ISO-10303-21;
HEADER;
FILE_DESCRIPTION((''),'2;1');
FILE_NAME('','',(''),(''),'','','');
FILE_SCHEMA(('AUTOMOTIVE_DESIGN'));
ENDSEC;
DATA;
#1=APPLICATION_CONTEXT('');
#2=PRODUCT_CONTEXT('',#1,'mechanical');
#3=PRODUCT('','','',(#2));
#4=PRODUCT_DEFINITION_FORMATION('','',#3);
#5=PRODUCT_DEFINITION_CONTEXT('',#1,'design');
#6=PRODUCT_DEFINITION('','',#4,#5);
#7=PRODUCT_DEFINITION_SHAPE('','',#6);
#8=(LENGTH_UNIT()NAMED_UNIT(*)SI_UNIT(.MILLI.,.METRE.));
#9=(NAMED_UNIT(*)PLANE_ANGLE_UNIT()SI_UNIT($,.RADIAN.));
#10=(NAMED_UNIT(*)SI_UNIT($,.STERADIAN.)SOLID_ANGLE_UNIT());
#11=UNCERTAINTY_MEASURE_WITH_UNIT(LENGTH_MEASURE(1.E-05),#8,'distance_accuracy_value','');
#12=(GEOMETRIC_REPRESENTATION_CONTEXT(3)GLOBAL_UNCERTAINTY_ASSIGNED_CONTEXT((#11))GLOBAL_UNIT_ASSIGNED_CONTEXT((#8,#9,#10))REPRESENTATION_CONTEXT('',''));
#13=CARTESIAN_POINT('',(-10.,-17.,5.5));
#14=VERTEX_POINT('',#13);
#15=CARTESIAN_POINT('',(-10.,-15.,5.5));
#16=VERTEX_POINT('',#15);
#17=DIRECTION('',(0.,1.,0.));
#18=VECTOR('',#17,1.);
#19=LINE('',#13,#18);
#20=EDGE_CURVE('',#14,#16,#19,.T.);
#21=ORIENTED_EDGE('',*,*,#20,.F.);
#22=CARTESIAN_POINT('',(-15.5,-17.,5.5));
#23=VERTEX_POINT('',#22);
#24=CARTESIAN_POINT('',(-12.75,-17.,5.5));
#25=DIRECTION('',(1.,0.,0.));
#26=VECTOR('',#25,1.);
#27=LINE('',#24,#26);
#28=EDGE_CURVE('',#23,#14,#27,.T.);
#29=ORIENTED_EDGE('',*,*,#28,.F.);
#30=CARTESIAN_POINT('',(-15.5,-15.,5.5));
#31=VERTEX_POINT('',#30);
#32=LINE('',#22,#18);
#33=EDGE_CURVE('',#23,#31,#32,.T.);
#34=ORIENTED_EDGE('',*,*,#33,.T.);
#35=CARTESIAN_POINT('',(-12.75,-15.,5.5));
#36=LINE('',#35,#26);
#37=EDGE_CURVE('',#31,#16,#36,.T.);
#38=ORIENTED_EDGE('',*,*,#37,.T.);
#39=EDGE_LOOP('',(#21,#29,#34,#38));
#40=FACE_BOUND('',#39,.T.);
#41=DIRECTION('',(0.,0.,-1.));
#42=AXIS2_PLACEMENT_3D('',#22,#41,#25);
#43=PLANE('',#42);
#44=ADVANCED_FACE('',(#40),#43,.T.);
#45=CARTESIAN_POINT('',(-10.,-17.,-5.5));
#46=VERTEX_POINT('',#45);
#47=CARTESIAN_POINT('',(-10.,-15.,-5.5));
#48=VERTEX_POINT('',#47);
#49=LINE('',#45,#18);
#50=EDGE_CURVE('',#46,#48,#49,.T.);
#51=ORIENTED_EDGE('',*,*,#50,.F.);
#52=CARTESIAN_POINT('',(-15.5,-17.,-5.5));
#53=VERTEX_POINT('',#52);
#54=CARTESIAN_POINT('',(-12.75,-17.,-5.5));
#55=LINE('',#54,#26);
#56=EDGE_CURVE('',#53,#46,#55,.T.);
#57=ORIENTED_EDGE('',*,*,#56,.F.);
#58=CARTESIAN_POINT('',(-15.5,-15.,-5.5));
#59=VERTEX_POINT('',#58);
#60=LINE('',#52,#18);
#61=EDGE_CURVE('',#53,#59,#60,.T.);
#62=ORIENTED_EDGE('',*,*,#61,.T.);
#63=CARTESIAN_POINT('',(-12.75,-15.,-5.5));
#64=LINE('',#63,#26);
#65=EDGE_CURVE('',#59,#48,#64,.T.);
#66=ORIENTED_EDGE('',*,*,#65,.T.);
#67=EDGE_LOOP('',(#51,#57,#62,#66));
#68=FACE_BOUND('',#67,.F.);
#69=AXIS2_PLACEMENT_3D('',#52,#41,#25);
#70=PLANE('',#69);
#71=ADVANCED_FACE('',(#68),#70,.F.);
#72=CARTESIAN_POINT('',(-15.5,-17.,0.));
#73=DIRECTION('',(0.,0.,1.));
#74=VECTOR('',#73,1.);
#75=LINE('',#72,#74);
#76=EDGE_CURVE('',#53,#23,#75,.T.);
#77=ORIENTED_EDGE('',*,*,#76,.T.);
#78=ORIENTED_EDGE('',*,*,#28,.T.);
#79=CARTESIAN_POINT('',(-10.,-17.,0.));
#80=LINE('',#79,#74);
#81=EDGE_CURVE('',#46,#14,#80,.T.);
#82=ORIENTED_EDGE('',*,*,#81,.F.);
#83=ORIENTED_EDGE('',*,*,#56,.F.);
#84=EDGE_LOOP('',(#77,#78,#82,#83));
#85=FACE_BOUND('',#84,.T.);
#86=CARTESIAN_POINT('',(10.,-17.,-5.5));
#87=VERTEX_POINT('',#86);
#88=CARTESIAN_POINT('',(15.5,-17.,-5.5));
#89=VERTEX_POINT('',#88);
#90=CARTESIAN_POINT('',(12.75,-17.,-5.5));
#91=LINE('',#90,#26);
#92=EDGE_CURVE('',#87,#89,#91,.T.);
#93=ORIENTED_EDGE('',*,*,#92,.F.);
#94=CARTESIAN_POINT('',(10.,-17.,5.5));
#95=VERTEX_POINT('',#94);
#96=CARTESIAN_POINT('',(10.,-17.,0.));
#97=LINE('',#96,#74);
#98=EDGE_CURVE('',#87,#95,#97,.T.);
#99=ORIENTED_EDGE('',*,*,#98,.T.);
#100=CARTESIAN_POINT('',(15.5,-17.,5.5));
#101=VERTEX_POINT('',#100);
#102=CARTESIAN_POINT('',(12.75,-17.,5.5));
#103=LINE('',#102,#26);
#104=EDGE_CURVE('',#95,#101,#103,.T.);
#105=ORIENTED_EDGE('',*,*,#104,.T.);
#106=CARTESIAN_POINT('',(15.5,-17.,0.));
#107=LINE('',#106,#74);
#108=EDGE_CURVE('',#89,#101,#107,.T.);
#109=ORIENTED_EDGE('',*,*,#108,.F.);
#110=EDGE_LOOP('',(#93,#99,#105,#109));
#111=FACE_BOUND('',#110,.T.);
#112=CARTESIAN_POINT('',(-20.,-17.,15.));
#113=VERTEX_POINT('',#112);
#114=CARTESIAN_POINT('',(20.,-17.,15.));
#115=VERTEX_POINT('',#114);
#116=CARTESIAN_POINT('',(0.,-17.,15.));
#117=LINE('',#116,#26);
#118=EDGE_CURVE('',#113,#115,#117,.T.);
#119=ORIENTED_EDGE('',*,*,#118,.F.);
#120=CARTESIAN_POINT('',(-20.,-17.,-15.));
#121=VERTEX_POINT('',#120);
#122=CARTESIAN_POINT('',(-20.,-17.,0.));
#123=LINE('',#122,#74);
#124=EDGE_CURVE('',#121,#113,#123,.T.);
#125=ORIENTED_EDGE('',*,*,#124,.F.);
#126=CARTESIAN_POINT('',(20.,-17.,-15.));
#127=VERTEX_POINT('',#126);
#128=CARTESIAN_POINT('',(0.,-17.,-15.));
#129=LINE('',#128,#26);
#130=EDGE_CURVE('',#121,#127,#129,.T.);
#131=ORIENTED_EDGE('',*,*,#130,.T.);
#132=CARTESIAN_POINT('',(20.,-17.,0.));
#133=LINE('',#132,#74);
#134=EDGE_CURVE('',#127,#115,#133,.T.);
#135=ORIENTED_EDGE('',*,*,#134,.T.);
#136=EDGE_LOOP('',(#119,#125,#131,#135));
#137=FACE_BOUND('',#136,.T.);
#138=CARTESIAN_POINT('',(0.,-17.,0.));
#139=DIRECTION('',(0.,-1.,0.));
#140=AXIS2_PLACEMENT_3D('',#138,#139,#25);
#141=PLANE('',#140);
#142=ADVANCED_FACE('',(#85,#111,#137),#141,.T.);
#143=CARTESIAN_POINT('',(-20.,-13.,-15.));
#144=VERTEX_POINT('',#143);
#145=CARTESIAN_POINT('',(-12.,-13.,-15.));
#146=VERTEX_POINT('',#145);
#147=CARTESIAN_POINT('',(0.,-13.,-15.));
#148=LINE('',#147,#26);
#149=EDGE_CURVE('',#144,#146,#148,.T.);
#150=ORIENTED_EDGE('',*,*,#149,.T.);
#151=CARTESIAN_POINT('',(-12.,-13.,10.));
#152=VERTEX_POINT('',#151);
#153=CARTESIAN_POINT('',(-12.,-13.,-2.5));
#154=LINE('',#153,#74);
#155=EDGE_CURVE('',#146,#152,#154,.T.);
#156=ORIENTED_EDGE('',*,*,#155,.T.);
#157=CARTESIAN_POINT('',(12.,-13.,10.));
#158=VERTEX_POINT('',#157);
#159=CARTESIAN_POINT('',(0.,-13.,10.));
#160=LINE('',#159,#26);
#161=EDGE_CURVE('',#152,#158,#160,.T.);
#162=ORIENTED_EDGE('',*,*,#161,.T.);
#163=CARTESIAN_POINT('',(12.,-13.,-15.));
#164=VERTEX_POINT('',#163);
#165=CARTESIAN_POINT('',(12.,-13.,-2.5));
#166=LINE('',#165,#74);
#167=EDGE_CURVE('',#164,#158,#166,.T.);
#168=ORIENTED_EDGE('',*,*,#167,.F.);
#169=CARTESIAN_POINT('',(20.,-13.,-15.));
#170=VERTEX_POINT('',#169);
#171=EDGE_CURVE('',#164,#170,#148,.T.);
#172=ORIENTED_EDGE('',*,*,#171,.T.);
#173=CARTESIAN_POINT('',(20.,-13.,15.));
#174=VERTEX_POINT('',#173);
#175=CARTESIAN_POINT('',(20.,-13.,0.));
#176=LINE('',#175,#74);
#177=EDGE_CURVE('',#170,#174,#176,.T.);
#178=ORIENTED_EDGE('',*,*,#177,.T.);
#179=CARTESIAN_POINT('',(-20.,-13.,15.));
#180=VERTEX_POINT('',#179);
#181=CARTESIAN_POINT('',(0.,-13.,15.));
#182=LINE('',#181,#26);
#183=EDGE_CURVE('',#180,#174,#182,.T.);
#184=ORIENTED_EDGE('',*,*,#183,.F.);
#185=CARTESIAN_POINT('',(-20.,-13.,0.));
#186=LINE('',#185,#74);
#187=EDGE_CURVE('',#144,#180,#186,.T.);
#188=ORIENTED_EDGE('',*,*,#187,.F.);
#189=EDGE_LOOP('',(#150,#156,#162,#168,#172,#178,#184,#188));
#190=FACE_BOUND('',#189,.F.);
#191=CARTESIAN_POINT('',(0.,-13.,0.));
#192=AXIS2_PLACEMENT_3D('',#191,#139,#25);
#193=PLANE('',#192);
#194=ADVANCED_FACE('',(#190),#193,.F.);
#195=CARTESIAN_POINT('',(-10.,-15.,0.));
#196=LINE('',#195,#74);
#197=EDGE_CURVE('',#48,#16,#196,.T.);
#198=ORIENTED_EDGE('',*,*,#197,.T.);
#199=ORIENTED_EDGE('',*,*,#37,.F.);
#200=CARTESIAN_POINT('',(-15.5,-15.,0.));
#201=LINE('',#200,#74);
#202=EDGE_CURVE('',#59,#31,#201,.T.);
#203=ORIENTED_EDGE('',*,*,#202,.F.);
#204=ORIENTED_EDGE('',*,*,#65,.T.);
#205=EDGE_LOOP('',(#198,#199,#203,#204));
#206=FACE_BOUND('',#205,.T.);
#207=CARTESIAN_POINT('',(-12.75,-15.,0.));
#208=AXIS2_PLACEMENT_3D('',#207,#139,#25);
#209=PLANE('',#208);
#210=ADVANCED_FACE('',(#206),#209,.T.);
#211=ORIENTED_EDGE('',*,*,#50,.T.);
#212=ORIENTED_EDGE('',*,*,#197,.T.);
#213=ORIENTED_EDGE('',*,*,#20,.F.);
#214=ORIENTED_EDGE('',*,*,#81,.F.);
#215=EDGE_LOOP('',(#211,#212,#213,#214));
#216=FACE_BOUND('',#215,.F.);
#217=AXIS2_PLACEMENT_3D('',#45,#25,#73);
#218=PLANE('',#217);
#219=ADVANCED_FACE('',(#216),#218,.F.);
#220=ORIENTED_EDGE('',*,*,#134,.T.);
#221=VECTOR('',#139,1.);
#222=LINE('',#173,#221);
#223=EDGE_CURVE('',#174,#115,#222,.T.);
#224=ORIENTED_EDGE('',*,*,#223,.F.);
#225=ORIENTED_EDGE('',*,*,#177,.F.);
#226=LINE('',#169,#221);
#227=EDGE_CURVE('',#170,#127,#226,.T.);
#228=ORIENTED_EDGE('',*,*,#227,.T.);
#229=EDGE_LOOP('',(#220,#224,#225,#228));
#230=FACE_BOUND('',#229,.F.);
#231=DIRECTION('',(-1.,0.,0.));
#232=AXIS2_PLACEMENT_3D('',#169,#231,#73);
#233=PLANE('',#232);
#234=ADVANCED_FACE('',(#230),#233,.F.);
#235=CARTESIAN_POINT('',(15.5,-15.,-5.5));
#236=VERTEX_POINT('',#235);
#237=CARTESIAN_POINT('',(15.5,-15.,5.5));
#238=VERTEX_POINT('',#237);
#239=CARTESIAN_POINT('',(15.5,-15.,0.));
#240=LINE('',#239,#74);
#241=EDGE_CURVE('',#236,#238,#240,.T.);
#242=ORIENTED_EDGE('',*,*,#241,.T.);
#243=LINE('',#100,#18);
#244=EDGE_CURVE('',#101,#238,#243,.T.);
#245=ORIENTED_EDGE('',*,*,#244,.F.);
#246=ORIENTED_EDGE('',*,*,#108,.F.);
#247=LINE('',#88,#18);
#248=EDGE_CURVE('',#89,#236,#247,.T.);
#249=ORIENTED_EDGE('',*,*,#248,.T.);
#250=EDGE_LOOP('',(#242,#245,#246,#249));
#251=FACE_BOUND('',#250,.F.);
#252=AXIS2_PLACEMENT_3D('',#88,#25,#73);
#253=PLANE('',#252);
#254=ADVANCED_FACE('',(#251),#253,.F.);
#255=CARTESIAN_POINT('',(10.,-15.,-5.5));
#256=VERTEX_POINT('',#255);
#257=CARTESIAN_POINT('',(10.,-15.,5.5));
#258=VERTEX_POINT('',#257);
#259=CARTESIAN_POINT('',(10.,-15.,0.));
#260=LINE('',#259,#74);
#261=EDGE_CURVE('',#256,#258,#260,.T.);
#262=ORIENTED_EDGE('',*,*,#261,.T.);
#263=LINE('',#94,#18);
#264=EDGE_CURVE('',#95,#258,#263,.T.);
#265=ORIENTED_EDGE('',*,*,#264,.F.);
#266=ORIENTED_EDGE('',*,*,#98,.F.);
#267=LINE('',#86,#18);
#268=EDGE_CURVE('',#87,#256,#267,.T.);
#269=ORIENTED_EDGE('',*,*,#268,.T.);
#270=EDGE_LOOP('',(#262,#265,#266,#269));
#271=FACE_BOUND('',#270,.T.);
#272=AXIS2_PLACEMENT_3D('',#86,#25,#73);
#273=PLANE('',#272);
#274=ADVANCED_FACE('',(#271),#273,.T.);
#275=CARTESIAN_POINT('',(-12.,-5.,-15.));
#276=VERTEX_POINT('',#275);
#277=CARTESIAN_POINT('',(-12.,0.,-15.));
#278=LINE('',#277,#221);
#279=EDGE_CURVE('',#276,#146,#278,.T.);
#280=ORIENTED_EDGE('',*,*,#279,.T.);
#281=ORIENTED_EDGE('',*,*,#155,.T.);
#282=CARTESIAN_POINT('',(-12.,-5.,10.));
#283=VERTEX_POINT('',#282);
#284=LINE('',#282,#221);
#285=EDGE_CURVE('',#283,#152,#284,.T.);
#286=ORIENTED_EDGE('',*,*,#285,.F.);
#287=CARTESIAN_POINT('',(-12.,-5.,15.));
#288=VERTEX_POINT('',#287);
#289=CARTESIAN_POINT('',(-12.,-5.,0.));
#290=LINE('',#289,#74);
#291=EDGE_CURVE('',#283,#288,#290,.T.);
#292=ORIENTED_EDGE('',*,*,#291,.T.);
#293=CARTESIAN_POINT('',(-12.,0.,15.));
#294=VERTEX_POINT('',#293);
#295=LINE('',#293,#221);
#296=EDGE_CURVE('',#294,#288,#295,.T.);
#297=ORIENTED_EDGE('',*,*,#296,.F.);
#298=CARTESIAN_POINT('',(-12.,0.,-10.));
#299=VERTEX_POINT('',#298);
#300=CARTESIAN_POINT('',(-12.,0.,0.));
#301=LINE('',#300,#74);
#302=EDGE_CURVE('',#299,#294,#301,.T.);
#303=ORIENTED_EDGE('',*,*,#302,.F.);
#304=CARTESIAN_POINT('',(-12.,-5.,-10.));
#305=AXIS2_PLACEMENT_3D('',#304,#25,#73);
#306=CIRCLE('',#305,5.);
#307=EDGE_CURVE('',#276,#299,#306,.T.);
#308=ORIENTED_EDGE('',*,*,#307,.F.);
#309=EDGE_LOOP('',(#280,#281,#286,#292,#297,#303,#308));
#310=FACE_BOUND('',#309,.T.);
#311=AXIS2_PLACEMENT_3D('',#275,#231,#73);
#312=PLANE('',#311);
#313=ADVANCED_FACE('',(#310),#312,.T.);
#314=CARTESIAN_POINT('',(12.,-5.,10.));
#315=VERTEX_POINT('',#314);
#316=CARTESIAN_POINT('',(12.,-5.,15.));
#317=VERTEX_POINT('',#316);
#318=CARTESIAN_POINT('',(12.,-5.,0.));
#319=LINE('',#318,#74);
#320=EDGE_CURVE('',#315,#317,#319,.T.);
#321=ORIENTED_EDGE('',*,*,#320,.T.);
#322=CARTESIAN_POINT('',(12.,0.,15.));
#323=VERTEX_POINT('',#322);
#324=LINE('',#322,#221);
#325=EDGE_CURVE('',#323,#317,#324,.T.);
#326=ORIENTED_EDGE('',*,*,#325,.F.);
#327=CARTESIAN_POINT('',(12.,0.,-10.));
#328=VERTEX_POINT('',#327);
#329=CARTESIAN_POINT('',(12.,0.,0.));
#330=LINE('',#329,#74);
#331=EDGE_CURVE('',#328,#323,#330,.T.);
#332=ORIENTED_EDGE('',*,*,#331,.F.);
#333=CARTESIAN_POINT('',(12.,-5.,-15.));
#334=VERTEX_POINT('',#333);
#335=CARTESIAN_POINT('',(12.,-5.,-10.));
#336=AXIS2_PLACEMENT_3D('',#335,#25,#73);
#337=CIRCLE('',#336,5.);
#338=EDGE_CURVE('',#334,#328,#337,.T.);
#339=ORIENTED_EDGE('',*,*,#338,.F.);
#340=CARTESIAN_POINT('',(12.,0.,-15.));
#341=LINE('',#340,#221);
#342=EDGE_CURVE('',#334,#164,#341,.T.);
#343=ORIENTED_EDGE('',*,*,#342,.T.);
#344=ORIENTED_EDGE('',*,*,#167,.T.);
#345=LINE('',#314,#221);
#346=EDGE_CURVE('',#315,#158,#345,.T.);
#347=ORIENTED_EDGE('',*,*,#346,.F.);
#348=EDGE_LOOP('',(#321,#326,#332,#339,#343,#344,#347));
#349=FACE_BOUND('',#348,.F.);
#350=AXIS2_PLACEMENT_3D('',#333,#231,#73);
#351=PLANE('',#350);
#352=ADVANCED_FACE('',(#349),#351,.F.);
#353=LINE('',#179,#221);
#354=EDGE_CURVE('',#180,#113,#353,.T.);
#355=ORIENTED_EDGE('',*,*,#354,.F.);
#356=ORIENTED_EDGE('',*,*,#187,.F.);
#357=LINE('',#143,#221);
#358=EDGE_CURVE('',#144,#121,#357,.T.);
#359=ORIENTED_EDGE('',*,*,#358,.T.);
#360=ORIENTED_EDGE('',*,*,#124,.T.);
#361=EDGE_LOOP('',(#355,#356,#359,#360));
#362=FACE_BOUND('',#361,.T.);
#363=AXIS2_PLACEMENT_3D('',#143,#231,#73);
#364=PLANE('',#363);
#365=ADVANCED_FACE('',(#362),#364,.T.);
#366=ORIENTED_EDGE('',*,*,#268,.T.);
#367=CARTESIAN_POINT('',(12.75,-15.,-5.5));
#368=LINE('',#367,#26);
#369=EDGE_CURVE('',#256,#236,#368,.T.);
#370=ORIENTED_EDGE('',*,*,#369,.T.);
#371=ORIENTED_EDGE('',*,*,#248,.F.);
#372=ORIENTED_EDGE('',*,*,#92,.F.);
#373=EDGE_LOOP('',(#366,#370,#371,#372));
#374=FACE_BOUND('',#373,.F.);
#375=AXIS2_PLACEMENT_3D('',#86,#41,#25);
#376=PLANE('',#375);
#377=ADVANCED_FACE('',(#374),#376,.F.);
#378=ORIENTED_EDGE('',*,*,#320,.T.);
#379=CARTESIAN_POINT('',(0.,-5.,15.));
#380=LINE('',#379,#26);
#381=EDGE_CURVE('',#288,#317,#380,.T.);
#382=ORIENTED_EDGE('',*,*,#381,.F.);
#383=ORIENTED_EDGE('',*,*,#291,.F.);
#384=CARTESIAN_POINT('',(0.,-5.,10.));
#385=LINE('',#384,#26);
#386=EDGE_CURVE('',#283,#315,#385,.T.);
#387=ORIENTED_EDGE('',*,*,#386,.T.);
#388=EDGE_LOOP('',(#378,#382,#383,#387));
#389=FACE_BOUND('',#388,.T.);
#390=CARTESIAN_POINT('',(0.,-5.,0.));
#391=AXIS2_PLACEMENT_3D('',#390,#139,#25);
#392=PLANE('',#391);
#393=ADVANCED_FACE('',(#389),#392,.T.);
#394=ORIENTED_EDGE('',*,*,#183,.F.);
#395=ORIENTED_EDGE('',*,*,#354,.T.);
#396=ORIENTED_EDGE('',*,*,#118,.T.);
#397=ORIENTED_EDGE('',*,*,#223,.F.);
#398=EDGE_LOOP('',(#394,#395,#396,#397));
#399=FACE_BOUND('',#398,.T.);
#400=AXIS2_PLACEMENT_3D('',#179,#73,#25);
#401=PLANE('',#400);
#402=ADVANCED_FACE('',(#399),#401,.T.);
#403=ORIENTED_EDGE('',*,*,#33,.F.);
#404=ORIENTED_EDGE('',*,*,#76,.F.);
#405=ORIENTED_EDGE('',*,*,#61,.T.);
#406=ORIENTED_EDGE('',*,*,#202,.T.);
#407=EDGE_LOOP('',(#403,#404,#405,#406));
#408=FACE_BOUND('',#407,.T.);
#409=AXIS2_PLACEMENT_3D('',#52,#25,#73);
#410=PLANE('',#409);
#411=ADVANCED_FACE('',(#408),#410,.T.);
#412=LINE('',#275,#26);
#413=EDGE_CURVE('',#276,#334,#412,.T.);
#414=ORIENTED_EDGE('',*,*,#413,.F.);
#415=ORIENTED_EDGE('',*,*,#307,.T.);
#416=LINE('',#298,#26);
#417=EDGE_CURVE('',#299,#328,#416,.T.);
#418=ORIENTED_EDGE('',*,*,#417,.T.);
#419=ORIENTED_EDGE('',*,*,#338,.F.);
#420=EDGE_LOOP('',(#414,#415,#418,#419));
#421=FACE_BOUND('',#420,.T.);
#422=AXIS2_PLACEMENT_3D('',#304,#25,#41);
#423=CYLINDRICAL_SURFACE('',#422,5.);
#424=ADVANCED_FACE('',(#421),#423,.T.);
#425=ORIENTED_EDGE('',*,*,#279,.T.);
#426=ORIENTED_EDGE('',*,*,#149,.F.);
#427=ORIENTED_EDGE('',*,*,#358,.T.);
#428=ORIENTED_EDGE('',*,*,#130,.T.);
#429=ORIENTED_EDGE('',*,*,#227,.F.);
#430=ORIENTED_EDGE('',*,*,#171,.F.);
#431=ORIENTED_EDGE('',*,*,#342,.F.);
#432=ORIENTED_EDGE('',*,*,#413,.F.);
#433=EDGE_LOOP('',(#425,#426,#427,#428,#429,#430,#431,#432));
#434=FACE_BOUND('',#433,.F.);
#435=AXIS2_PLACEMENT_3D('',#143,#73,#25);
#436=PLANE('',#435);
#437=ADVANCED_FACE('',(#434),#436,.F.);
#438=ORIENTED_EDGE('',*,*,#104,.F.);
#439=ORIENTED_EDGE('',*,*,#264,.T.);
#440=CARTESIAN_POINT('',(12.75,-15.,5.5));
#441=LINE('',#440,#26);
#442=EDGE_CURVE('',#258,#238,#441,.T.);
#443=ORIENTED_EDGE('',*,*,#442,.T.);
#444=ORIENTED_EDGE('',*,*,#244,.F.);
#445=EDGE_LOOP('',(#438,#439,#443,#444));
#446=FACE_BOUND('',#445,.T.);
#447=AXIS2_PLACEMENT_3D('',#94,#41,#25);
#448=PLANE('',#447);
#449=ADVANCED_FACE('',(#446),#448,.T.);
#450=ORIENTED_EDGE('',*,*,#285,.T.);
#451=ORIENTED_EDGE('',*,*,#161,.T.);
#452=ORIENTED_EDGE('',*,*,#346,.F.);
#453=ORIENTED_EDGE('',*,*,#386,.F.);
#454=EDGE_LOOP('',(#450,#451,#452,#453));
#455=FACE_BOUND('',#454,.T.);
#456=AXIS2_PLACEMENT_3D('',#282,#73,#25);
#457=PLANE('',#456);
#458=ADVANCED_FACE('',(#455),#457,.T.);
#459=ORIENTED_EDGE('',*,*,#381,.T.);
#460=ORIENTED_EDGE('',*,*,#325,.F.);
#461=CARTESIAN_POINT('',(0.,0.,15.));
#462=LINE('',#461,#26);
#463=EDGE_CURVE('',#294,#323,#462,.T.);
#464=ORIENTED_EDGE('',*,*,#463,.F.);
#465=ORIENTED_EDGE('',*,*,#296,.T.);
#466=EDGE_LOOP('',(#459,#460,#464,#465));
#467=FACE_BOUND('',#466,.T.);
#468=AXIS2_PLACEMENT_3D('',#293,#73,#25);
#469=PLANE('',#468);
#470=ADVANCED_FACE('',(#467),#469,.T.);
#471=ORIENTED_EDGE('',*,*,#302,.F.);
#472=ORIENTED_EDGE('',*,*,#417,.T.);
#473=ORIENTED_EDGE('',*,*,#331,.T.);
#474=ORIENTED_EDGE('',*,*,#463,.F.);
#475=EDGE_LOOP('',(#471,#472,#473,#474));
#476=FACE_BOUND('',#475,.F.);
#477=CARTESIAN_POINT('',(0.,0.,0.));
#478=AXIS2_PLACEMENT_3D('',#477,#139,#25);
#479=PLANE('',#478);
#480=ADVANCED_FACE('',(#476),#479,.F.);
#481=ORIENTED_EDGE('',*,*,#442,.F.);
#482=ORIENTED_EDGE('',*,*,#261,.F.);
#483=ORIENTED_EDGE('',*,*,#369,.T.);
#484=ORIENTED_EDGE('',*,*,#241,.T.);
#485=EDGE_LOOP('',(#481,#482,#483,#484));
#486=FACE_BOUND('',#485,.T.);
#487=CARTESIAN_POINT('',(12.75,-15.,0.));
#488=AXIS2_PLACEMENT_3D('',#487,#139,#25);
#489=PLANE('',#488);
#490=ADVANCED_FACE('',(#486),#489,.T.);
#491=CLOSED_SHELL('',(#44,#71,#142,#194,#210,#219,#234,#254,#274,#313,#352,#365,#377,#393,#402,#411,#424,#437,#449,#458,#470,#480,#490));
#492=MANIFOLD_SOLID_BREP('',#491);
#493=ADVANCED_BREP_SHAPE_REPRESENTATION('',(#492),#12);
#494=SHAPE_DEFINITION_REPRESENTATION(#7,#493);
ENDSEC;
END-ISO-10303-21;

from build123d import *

# Parameters (mm, degrees)
F0_W     = 24
F0_H     = 30
F1_DEPTH = 5
F2_W     = 24
F2_H     = 25
F3_DEPTH = 8
F4_R     = 5
F5_W     = 40
F5_H     = 30
F6_DEPTH = 4
F7_W     = 5.5
F7_H     = 11
F8_DEPTH = 2


with BuildPart() as f1:
    # F0 (on Front) → F1 (new body)
    with BuildSketch(Plane.XZ):
        Rectangle(F0_W, F0_H)
    extrude(amount=F1_DEPTH)

    # F2 (on face) → F3 (join)
    with BuildSketch(Plane.XZ.offset(5)):
        with Locations((0, -2.5)):
            Rectangle(F2_W, F2_H)
    extrude(amount=F3_DEPTH)

    # F4
    f4_edges = [f1.edges().sort_by_distance(p)[0] for p in [
        (0, 0, -15),
    ]]
    fillet(f4_edges, radius=F4_R)

    # F5 (on face) → F6 (join)
    with BuildSketch(Plane.XZ.offset(13)):
        Rectangle(F5_W, F5_H)
    extrude(amount=F6_DEPTH)

    # F7 (on face) → F8 (cut)
    with BuildSketch(Plane.XZ.offset(17)):
        with Locations((-12.75, 0)):
            Rectangle(F7_W, F7_H)
        with Locations((12.75, 0)):
            Rectangle(F7_W, F7_H)
    extrude(amount=-F8_DEPTH, mode=Mode.SUBTRACT)


solid = f1.part
